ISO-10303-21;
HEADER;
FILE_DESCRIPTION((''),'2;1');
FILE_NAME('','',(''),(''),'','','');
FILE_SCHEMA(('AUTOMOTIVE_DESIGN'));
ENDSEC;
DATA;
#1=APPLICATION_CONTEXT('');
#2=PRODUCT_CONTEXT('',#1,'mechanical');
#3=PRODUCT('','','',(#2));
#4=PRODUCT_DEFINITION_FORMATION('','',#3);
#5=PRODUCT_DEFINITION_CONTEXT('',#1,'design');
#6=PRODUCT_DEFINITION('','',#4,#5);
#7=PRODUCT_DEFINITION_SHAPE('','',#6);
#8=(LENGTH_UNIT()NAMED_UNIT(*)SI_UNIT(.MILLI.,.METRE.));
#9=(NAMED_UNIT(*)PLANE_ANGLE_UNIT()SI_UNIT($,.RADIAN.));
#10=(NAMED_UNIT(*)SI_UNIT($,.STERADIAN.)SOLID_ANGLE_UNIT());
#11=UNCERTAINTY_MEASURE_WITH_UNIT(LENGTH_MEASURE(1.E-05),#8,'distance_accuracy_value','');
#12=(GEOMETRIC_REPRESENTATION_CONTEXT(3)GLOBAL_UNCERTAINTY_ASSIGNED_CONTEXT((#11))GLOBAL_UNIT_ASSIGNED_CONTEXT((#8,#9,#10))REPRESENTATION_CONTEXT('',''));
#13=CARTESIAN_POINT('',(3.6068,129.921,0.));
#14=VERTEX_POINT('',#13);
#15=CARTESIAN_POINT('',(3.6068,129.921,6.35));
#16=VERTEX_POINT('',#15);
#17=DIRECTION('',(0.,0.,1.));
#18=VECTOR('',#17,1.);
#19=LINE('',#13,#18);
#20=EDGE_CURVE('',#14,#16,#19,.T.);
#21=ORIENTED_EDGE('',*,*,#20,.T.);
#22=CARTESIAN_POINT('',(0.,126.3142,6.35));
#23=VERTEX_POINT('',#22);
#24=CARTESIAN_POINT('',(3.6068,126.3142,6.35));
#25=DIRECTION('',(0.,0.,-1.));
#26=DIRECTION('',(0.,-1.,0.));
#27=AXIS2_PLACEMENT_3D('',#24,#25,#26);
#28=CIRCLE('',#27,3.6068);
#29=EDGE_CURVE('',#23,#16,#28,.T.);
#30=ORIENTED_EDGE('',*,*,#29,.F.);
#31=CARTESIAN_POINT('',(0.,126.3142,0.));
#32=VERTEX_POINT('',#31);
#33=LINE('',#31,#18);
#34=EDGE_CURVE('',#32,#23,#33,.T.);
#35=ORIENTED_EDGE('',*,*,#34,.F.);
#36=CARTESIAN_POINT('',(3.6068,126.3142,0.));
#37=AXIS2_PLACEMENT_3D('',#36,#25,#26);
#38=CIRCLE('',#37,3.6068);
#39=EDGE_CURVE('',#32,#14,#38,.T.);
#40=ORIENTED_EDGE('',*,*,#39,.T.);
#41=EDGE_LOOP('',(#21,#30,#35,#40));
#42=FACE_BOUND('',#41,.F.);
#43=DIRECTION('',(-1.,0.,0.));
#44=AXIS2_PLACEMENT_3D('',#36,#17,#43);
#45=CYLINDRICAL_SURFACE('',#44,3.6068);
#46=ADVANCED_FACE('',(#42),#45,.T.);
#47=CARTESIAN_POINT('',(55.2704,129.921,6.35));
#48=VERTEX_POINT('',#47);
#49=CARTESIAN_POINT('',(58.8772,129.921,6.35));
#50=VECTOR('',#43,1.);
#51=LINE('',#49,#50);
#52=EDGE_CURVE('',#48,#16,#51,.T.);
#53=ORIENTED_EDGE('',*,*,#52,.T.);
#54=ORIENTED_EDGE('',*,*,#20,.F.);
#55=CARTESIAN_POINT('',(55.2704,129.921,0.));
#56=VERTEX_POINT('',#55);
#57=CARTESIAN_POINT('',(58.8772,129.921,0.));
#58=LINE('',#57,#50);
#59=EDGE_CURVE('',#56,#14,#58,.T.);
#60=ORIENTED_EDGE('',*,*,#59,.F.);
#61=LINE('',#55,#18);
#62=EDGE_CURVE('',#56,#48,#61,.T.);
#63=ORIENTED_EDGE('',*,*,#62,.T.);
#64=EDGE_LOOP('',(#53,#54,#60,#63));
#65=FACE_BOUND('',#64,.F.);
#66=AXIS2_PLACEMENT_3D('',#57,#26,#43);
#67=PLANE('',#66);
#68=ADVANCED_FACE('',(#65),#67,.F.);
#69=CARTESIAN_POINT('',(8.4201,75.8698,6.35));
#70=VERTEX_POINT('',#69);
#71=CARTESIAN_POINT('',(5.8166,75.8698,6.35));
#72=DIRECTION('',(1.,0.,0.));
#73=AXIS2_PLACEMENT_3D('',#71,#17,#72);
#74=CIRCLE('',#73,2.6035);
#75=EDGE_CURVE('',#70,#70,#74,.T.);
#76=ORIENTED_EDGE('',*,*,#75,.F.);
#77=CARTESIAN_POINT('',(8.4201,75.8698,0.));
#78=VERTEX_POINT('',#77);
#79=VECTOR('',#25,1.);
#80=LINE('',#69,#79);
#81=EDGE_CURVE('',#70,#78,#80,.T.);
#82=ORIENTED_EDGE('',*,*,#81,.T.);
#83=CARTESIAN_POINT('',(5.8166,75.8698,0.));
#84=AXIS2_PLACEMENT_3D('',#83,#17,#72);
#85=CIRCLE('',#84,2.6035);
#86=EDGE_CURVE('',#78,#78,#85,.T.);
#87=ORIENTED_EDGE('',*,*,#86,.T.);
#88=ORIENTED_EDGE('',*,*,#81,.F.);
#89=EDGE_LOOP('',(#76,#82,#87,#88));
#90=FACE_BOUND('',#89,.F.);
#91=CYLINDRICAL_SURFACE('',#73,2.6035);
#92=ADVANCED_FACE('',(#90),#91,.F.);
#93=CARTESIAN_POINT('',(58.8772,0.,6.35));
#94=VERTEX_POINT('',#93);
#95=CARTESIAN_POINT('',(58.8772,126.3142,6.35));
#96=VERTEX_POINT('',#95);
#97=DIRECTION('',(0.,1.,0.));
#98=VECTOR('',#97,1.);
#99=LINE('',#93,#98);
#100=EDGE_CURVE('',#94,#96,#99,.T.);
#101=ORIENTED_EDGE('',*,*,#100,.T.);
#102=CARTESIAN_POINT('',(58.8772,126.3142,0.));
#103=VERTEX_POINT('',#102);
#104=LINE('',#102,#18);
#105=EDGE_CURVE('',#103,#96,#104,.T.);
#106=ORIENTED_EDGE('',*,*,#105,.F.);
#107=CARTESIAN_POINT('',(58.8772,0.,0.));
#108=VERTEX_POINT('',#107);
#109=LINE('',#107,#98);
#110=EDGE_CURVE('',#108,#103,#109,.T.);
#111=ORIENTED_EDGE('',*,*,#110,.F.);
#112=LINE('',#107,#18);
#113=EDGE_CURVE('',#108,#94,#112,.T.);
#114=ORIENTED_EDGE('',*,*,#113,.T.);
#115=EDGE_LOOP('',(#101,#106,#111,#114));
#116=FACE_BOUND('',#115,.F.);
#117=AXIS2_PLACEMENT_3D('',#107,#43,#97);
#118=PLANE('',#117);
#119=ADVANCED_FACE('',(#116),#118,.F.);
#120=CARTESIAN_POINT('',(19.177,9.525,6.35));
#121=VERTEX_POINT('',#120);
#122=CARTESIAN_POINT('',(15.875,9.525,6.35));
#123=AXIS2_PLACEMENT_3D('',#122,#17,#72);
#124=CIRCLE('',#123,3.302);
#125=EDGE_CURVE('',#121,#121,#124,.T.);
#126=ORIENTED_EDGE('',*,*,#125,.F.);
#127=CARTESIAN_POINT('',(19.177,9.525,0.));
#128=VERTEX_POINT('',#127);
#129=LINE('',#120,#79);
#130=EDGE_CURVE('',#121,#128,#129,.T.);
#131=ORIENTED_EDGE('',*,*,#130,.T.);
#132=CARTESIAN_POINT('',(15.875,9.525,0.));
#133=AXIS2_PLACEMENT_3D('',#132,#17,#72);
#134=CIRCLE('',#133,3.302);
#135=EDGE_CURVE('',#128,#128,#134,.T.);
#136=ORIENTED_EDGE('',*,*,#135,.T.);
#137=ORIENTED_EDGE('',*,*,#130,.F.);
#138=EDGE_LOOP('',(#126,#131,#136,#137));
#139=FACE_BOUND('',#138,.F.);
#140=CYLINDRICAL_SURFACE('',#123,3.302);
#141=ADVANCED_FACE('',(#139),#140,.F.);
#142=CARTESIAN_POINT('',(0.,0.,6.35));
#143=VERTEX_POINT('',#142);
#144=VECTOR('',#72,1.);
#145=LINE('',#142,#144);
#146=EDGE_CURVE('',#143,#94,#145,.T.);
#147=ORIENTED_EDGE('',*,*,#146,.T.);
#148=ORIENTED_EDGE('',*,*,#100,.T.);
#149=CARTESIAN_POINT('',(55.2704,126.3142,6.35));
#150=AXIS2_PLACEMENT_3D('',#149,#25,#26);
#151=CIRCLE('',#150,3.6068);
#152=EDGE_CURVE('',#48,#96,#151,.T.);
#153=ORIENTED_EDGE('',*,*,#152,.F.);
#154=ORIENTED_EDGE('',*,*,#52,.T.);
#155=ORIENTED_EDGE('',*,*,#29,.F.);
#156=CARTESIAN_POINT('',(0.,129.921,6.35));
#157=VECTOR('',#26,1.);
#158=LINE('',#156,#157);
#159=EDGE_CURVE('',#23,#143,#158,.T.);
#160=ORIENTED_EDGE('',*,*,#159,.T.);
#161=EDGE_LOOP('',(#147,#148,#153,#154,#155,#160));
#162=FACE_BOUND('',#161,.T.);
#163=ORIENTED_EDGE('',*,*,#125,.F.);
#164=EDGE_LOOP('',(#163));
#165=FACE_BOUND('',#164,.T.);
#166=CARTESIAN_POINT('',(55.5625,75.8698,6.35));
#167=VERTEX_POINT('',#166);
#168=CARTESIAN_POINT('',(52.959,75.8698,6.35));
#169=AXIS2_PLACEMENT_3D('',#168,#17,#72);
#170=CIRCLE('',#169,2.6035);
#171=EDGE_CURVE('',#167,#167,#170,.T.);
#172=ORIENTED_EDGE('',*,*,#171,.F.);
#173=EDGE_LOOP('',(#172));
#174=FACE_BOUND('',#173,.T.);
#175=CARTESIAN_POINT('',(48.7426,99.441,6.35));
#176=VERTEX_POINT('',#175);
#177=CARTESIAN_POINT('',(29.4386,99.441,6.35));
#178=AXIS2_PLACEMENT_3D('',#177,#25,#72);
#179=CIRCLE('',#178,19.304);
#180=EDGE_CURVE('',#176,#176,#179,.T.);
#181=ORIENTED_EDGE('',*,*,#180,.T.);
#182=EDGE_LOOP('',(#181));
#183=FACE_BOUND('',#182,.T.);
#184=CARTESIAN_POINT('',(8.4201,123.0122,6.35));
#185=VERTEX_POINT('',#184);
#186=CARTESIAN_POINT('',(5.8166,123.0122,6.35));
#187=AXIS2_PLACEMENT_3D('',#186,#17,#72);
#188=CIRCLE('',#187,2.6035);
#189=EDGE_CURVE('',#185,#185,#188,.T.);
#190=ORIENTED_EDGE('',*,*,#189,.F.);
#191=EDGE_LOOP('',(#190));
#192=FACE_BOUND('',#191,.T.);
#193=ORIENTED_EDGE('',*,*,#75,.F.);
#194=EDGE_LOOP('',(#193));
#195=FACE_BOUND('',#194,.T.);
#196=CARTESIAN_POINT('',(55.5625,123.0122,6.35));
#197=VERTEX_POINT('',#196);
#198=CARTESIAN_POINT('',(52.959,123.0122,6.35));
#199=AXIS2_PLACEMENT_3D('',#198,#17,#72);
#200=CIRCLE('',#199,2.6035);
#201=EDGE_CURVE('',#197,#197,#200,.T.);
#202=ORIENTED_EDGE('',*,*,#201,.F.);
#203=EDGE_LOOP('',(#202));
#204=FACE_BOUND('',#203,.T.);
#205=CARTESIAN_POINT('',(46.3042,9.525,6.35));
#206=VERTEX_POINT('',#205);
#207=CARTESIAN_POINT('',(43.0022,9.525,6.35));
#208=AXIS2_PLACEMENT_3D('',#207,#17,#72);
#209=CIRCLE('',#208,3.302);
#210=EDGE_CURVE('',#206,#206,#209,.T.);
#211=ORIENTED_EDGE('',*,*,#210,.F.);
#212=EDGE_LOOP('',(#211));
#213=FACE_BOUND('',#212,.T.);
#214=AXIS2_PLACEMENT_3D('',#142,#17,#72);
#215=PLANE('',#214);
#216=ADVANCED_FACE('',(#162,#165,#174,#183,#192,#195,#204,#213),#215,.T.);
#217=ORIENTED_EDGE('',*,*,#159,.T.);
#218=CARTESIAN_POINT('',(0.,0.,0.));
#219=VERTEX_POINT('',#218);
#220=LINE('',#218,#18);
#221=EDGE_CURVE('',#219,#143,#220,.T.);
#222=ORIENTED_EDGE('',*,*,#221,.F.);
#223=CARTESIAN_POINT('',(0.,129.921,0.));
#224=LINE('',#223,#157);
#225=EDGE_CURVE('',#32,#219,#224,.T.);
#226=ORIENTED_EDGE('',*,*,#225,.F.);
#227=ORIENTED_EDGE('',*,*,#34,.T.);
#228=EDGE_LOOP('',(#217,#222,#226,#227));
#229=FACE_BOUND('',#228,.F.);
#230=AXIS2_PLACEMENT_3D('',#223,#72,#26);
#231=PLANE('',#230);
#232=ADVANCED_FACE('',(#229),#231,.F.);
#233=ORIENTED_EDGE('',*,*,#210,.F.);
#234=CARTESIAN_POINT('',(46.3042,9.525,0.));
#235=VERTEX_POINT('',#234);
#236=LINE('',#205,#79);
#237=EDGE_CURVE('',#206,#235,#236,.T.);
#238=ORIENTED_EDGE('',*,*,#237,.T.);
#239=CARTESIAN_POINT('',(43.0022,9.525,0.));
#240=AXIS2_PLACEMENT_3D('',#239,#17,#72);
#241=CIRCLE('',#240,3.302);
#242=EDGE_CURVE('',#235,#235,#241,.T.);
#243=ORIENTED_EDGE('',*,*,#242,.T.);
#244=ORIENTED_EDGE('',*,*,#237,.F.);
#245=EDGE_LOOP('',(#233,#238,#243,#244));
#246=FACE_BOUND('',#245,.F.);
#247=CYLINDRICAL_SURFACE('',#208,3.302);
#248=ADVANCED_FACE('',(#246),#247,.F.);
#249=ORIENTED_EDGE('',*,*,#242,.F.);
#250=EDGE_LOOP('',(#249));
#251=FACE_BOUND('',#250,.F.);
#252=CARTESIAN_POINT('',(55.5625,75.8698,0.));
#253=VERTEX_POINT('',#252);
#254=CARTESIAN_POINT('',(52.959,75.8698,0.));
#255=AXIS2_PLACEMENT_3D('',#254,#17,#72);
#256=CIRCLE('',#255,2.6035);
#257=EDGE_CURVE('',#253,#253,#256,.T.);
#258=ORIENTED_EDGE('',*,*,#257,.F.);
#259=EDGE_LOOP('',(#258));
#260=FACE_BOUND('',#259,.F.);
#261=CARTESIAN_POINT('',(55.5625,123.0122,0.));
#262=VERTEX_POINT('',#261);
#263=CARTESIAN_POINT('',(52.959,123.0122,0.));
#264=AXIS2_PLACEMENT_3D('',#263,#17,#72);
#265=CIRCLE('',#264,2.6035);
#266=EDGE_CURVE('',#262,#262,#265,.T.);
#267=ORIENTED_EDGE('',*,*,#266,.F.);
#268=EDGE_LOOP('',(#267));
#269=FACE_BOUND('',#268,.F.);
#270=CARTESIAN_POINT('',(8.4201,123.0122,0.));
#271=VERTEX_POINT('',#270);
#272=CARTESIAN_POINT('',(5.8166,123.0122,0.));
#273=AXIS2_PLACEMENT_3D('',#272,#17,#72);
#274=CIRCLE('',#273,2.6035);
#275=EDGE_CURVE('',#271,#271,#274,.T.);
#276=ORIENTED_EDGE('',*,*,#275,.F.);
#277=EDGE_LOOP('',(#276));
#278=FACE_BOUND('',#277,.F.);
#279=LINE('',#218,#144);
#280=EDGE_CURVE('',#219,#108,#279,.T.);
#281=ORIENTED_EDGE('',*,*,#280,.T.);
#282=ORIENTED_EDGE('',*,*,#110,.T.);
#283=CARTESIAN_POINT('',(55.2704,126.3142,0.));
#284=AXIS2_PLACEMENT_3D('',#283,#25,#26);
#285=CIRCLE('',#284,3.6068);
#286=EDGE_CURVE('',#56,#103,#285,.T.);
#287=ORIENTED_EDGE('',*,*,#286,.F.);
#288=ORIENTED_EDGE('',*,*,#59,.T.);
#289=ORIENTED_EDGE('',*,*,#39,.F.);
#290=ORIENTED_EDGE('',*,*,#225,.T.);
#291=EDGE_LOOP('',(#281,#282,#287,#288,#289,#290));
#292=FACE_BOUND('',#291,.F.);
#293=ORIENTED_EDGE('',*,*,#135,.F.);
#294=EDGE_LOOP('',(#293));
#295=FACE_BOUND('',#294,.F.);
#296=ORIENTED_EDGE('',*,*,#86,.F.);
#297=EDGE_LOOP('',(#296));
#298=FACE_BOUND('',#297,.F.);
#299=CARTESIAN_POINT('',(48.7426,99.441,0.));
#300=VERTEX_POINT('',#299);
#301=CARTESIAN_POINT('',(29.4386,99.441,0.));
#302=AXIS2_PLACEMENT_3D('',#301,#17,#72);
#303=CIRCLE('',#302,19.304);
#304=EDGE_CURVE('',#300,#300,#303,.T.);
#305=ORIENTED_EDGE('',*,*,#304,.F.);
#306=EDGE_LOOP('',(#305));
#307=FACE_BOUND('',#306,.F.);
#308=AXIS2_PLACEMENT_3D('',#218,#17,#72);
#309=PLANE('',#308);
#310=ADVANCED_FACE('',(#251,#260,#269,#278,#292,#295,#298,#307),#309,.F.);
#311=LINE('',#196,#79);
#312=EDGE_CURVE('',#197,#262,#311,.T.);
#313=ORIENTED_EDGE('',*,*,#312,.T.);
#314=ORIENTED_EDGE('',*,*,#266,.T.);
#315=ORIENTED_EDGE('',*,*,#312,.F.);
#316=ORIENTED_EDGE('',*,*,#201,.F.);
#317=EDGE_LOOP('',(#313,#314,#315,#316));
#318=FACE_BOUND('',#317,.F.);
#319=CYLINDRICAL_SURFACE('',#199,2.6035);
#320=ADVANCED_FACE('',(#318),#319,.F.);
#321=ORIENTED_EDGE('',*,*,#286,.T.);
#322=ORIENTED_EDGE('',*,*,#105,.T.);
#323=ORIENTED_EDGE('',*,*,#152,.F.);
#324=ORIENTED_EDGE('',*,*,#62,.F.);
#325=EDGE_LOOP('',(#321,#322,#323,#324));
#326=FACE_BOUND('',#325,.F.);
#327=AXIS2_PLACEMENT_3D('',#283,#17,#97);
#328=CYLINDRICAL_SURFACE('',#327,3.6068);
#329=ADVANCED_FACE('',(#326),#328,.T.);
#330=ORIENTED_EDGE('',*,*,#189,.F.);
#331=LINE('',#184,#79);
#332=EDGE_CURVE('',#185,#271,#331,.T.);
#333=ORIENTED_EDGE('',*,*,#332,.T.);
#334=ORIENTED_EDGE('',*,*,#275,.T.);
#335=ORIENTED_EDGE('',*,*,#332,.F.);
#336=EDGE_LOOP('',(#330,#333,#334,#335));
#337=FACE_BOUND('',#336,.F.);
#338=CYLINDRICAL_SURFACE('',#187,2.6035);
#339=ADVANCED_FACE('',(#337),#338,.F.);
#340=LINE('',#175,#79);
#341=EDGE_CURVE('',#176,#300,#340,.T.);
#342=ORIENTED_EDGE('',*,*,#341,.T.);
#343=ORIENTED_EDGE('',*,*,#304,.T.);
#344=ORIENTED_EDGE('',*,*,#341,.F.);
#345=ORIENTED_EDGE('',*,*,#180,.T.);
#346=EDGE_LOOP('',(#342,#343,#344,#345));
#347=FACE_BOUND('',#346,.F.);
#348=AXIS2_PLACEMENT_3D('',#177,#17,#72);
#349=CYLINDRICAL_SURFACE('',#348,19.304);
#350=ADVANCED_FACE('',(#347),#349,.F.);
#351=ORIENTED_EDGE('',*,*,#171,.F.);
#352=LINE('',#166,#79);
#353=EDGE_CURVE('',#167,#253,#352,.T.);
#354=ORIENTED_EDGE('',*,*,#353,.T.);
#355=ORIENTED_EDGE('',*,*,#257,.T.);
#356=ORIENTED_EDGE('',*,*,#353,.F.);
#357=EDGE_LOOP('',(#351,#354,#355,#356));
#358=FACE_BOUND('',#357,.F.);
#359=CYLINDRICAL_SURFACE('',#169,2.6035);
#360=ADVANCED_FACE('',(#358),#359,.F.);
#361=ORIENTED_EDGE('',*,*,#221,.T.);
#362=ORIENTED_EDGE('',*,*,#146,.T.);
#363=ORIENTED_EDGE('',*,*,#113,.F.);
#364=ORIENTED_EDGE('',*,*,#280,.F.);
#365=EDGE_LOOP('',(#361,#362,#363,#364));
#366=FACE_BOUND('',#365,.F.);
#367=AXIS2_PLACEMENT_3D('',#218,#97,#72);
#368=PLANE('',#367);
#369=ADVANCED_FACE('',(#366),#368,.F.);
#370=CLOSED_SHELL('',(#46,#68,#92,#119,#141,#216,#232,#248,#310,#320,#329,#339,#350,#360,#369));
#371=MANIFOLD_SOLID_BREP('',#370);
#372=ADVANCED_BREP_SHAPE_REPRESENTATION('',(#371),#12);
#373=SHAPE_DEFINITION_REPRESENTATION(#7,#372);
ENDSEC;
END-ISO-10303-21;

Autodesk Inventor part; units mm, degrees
ref_plane "YZ Plane" through (0, 0, 0) normal (1, 0, 0) x (0, 1, 0)
ref_plane "XZ Plane" through (0, 0, 0) normal (0, 1, 0) x (-1, 0, 0)
ref_plane "XY Plane" through (0, 0, 0) normal (0, 0, 1) x (1, 0, 0)
sketch "Sketch1" plane through (0, 0, 0) normal (0, 0, 1) x (1, 0, 0)
  line L0 (0, 0) -> (58.8772, 0)
  line L1 (58.8772, 0) -> (58.8772, 129.921)
  line L2 (58.8772, 129.921) -> (0, 129.921)
  line L3 (0, 129.921) -> (0, 0)
  dimension "d0" = 58.8772
  dimension "d1" = 129.921
extrude "Stock Bar" add sketch "Sketch1" along normal blind 6.35
fillet "Round Edges" radius 3.6068 2 edges at (0, 129.921, 3.175) (58.8772, 129.921, 3.175)
sketch "Sketch2" plane through (0, 0, 6.35) normal (0, 0, 1) x (1, 0, 0)
  circle A0 centre (29.4386, 99.441) radius 19.304
  line L0 (58.8772, 129.921) -> (0, 129.921) projected
  line L1 (0, 129.921) -> (0, 0) projected
  line L2 (58.8772, 0) -> (58.8772, 129.921) projected
  line L3 (29.4386, 129.921) -> (29.4386, 0)
  line L4 (0, 0) -> (58.8772, 0) projected
  dimension "d4" = 38.608
  dimension "d32" = 99.441
extrude "Motor Hole" cut sketch "Sketch2" against normal blind 6.35 contours A0 L3 | L3 A0
sketch "Sketch3" plane through (0, 0, 6.35) normal (0, 0, 1) x (1, 0, 0)
  circle A0 centre (5.8166, 123.0122) radius 2.6035
  line L0 (58.8772, 129.921) -> (0, 129.921) projected
  line L1 (0, 129.921) -> (0, 0) projected
  circle A1 centre (5.8166, 75.8698) radius 2.6035
  circle A2 centre (52.959, 123.0122) radius 2.6035
  circle A3 centre (52.959, 75.8698) radius 2.6035
  line L2 (0, 0) -> (58.8772, 0) projected
  dimension "d10" = 5.207
  dimension "d15" = 47.1424
  dimension "d18" = 47.1424
  dimension "d33" = 123.0122
  dimension "d34" = 5.8166
extrude "Motor Mounting Holes" cut sketch "Sketch3" against normal blind 6.35
sketch "Sketch4" plane through (0, 0, 6.35) normal (0, 0, 1) x (1, 0, 0)
  circle A0 centre (15.875, 9.525) radius 3.302
  circle A1 centre (43.0022, 9.525) radius 3.302
  line L0 (0, 0) -> (58.8772, 0) projected
  line L1 (58.8772, 0) -> (58.8772, 126.3142) projected
  line L2 (0, 126.3142) -> (0, 0) projected
  dimension "d24" = 6.604
  dimension "d25" = 6.604
  dimension "d26" = 9.525
  dimension "d27" = 9.525
  dimension "d28" = 15.875
  dimension "d29" = 15.875
extrude "Motor Support Mounting Holes" cut sketch "Sketch4" against normal blind 25.4
properties part number "Motor Support" material "Aluminum 6061"
